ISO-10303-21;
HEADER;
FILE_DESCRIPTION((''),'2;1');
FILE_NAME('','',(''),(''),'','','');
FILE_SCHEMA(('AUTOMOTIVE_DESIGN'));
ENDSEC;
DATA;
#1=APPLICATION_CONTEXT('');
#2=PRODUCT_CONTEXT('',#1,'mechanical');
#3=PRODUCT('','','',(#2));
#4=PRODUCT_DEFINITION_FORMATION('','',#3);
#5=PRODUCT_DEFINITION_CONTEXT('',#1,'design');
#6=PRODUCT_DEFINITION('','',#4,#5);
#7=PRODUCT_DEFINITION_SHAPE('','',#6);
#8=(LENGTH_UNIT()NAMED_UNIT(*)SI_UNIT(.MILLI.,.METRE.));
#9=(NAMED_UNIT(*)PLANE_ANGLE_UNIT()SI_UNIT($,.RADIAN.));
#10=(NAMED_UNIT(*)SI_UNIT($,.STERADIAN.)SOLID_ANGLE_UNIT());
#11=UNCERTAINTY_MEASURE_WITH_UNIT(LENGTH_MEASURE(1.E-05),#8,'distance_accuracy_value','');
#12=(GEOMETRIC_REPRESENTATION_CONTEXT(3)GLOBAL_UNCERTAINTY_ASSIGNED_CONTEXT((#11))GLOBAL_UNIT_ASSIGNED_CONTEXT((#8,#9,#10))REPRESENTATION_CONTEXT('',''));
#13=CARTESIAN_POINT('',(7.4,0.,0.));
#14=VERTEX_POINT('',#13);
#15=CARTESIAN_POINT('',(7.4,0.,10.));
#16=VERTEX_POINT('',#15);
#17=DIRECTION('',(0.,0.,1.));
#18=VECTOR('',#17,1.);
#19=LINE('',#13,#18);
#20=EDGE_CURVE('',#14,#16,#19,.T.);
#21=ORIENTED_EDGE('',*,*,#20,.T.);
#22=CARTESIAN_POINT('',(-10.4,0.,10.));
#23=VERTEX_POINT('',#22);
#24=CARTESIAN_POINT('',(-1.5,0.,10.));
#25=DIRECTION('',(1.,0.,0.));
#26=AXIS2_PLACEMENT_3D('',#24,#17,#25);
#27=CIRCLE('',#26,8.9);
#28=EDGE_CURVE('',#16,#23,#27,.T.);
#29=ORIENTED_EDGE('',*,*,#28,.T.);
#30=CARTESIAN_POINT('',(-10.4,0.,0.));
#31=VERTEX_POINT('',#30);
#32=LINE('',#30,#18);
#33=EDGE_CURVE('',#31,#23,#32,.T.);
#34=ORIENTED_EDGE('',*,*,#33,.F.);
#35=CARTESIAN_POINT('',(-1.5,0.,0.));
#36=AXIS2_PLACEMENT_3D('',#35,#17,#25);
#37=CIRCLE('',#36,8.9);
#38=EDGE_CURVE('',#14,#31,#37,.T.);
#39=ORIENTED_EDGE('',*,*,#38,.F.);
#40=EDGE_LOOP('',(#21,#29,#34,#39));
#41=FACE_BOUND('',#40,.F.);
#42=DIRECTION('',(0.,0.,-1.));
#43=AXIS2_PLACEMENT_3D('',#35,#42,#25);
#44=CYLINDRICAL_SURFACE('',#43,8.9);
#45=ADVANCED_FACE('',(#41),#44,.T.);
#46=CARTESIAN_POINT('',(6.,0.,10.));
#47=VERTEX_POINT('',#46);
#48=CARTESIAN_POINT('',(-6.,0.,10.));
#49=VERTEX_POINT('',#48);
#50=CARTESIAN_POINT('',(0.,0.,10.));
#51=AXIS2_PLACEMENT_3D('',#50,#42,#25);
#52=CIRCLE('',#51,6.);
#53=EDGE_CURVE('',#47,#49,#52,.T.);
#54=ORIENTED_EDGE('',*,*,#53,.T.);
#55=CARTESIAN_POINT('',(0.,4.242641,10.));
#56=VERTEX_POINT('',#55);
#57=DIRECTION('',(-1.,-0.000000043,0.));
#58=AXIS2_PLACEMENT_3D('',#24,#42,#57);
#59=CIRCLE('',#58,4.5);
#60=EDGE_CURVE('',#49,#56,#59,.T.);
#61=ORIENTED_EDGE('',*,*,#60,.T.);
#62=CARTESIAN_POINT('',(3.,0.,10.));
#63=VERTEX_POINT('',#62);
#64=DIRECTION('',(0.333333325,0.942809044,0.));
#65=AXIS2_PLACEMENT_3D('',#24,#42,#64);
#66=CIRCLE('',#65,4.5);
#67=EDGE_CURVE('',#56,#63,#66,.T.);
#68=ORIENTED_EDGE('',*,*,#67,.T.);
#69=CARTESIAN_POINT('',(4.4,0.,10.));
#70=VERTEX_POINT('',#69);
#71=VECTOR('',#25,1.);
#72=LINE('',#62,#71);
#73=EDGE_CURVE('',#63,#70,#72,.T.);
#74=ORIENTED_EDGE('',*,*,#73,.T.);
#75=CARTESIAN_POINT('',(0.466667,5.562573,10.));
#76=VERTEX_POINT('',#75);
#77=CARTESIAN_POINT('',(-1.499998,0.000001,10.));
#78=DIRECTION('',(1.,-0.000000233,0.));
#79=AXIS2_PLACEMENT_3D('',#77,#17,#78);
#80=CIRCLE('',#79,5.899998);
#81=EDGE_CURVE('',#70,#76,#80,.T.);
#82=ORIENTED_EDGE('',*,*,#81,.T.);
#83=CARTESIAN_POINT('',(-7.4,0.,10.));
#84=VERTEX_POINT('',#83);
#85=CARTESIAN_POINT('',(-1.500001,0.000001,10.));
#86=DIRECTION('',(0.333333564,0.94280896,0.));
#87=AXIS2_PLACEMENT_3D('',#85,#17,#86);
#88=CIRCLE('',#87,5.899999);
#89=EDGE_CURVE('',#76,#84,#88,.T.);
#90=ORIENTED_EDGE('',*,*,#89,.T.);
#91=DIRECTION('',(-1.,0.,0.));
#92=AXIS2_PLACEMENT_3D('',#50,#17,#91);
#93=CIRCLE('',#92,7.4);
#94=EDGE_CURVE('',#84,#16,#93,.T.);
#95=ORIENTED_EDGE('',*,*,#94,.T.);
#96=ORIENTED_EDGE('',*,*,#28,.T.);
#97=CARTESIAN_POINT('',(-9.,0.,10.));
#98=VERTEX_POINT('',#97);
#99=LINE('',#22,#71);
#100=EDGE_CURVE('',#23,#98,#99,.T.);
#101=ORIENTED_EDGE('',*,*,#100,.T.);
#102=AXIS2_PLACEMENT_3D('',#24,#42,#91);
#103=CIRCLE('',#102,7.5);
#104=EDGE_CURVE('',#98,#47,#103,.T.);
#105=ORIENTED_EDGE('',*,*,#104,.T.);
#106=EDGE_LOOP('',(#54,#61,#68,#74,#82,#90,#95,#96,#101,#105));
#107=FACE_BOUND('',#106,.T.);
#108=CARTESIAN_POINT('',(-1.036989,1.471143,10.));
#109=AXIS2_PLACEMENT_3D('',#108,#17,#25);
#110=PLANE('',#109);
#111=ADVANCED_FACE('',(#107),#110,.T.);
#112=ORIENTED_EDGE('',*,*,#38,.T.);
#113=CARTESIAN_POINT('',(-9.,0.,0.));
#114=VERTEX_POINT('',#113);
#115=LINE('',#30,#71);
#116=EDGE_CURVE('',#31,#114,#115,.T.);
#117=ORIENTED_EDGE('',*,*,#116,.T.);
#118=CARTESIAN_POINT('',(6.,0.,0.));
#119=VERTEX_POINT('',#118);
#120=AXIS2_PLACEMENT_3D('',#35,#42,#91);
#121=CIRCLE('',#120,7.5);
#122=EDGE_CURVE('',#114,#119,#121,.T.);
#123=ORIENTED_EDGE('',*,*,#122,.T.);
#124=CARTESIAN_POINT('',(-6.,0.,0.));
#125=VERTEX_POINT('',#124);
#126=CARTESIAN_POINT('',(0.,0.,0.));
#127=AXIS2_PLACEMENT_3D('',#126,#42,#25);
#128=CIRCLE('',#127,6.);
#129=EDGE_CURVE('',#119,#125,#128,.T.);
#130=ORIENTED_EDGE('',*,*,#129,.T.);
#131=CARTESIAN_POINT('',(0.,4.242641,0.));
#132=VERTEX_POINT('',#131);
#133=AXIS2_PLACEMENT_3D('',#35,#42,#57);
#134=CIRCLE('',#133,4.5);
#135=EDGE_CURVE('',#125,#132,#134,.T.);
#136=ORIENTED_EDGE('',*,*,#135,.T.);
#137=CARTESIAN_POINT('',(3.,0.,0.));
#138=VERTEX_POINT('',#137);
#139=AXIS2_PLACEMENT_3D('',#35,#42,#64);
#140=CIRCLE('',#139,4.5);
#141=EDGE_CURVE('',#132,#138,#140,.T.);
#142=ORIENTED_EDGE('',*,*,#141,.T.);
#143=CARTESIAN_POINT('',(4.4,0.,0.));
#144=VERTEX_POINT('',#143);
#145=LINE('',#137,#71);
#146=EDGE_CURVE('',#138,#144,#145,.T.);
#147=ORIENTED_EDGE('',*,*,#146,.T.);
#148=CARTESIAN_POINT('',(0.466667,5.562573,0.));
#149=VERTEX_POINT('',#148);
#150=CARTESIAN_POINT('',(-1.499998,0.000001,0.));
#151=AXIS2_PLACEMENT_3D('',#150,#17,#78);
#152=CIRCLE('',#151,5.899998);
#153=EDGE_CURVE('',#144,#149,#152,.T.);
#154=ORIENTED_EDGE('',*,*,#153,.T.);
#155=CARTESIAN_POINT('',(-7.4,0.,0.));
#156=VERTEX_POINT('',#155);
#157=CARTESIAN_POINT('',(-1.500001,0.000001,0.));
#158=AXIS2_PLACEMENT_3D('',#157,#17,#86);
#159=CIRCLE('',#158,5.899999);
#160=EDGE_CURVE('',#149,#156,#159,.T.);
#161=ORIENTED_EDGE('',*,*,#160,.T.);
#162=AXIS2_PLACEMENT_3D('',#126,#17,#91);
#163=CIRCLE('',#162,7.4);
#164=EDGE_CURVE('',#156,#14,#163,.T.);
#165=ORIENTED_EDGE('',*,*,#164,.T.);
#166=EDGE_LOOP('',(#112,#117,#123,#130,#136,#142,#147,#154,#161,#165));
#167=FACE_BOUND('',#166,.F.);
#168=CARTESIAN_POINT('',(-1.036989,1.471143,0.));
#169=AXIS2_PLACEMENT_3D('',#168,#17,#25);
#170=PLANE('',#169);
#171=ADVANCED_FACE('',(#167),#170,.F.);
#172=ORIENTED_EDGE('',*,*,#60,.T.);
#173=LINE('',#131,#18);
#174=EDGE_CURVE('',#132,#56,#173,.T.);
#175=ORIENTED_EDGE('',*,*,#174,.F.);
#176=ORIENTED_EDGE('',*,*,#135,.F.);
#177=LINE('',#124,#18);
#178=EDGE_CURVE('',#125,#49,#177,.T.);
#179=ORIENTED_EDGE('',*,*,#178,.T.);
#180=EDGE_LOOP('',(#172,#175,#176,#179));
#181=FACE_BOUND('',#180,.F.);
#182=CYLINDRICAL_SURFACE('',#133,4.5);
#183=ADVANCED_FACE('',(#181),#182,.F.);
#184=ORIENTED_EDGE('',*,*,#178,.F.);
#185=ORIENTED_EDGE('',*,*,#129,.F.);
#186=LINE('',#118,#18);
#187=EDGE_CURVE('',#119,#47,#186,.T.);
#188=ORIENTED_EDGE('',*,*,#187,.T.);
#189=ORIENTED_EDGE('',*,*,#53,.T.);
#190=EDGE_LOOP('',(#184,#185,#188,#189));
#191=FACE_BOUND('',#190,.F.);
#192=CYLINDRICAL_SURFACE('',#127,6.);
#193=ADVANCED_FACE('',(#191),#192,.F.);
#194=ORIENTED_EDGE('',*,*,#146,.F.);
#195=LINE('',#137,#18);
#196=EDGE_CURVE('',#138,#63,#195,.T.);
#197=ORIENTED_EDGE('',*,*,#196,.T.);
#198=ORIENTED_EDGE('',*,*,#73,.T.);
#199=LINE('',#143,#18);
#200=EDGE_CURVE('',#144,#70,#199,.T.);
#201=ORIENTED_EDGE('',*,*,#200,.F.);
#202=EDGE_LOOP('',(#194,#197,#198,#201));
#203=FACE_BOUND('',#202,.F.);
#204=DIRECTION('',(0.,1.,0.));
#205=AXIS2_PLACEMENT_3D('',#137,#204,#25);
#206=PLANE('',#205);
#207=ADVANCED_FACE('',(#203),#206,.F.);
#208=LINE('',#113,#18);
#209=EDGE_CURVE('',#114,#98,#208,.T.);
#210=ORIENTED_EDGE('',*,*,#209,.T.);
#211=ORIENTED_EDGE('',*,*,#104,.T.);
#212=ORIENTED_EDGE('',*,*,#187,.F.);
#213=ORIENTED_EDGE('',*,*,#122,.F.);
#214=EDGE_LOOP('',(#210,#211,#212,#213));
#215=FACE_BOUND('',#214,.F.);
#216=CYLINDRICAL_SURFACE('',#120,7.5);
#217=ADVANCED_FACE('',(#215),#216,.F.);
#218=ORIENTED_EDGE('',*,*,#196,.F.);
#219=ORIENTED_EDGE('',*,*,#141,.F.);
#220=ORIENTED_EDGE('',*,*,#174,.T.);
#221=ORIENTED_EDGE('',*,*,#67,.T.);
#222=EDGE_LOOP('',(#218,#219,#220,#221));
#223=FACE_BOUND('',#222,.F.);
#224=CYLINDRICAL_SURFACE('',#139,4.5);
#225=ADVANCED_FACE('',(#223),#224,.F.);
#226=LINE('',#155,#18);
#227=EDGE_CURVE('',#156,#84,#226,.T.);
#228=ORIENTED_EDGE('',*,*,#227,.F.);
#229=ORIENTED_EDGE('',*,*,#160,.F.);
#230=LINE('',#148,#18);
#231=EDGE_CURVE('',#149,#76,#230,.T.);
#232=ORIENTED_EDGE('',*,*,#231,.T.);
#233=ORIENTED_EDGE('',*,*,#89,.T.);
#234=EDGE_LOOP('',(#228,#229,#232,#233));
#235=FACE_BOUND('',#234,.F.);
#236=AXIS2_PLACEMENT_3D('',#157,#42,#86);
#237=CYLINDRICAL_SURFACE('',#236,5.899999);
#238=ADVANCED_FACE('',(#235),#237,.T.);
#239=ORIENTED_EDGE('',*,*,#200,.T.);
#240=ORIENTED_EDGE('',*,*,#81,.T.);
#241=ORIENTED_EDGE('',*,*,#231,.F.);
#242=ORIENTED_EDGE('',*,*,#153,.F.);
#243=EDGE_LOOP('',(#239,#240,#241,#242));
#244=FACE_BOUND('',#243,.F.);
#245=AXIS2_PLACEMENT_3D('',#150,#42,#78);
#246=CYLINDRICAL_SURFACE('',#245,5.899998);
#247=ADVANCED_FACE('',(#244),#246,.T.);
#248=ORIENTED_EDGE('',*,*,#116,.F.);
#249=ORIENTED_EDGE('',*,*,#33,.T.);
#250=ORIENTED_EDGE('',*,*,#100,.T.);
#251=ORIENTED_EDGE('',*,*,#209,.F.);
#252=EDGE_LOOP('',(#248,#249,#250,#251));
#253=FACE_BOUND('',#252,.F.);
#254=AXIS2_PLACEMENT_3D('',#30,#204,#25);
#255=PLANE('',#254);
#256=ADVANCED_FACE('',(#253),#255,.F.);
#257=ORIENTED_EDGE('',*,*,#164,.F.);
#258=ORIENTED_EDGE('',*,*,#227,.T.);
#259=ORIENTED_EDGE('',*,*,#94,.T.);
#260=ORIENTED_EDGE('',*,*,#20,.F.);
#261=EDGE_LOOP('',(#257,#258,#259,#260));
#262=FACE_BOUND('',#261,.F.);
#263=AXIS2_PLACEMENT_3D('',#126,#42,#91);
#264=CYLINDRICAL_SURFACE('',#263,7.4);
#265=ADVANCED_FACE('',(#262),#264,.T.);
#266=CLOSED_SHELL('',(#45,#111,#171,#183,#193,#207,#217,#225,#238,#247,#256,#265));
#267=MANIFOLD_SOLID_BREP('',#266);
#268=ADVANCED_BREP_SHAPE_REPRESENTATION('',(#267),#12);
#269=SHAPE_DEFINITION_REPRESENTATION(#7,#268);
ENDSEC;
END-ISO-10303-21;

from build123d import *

# Parameters (mm, degrees)
F1_DEPTH = 10


with BuildPart() as f1:
    # F0 (on Top) → F1 (new body)
    with BuildSketch(Plane.XY):
        with BuildLine():
            ThreePointArc((0, 4.242641), (2.174235, 2.598076), (3, 0))
            Line((3, 0), (4.4, 0))
            ThreePointArc((4.4, 0), (3.31733, 3.406367), (0.466667, 5.562573))
            ThreePointArc((0.466667, 5.562573), (-4.906367, 4.81733), (-7.4, 0))
            ThreePointArc((-7.4, 0), (0, -7.4), (7.4, 0))
            ThreePointArc((7.4, 0), (-1.5, 8.9), (-10.4, 0))
            Line((-10.4, 0), (-9, 0))
            ThreePointArc((-9, 0), (-1.5, 7.5), (6, 0))
            ThreePointArc((6, 0), (0, -6), (-6, 0))
            ThreePointArc((-6, 0), (-4.098076, 3.674235), (0, 4.242641))
        make_face()
    extrude(amount=F1_DEPTH)


solid = f1.part
